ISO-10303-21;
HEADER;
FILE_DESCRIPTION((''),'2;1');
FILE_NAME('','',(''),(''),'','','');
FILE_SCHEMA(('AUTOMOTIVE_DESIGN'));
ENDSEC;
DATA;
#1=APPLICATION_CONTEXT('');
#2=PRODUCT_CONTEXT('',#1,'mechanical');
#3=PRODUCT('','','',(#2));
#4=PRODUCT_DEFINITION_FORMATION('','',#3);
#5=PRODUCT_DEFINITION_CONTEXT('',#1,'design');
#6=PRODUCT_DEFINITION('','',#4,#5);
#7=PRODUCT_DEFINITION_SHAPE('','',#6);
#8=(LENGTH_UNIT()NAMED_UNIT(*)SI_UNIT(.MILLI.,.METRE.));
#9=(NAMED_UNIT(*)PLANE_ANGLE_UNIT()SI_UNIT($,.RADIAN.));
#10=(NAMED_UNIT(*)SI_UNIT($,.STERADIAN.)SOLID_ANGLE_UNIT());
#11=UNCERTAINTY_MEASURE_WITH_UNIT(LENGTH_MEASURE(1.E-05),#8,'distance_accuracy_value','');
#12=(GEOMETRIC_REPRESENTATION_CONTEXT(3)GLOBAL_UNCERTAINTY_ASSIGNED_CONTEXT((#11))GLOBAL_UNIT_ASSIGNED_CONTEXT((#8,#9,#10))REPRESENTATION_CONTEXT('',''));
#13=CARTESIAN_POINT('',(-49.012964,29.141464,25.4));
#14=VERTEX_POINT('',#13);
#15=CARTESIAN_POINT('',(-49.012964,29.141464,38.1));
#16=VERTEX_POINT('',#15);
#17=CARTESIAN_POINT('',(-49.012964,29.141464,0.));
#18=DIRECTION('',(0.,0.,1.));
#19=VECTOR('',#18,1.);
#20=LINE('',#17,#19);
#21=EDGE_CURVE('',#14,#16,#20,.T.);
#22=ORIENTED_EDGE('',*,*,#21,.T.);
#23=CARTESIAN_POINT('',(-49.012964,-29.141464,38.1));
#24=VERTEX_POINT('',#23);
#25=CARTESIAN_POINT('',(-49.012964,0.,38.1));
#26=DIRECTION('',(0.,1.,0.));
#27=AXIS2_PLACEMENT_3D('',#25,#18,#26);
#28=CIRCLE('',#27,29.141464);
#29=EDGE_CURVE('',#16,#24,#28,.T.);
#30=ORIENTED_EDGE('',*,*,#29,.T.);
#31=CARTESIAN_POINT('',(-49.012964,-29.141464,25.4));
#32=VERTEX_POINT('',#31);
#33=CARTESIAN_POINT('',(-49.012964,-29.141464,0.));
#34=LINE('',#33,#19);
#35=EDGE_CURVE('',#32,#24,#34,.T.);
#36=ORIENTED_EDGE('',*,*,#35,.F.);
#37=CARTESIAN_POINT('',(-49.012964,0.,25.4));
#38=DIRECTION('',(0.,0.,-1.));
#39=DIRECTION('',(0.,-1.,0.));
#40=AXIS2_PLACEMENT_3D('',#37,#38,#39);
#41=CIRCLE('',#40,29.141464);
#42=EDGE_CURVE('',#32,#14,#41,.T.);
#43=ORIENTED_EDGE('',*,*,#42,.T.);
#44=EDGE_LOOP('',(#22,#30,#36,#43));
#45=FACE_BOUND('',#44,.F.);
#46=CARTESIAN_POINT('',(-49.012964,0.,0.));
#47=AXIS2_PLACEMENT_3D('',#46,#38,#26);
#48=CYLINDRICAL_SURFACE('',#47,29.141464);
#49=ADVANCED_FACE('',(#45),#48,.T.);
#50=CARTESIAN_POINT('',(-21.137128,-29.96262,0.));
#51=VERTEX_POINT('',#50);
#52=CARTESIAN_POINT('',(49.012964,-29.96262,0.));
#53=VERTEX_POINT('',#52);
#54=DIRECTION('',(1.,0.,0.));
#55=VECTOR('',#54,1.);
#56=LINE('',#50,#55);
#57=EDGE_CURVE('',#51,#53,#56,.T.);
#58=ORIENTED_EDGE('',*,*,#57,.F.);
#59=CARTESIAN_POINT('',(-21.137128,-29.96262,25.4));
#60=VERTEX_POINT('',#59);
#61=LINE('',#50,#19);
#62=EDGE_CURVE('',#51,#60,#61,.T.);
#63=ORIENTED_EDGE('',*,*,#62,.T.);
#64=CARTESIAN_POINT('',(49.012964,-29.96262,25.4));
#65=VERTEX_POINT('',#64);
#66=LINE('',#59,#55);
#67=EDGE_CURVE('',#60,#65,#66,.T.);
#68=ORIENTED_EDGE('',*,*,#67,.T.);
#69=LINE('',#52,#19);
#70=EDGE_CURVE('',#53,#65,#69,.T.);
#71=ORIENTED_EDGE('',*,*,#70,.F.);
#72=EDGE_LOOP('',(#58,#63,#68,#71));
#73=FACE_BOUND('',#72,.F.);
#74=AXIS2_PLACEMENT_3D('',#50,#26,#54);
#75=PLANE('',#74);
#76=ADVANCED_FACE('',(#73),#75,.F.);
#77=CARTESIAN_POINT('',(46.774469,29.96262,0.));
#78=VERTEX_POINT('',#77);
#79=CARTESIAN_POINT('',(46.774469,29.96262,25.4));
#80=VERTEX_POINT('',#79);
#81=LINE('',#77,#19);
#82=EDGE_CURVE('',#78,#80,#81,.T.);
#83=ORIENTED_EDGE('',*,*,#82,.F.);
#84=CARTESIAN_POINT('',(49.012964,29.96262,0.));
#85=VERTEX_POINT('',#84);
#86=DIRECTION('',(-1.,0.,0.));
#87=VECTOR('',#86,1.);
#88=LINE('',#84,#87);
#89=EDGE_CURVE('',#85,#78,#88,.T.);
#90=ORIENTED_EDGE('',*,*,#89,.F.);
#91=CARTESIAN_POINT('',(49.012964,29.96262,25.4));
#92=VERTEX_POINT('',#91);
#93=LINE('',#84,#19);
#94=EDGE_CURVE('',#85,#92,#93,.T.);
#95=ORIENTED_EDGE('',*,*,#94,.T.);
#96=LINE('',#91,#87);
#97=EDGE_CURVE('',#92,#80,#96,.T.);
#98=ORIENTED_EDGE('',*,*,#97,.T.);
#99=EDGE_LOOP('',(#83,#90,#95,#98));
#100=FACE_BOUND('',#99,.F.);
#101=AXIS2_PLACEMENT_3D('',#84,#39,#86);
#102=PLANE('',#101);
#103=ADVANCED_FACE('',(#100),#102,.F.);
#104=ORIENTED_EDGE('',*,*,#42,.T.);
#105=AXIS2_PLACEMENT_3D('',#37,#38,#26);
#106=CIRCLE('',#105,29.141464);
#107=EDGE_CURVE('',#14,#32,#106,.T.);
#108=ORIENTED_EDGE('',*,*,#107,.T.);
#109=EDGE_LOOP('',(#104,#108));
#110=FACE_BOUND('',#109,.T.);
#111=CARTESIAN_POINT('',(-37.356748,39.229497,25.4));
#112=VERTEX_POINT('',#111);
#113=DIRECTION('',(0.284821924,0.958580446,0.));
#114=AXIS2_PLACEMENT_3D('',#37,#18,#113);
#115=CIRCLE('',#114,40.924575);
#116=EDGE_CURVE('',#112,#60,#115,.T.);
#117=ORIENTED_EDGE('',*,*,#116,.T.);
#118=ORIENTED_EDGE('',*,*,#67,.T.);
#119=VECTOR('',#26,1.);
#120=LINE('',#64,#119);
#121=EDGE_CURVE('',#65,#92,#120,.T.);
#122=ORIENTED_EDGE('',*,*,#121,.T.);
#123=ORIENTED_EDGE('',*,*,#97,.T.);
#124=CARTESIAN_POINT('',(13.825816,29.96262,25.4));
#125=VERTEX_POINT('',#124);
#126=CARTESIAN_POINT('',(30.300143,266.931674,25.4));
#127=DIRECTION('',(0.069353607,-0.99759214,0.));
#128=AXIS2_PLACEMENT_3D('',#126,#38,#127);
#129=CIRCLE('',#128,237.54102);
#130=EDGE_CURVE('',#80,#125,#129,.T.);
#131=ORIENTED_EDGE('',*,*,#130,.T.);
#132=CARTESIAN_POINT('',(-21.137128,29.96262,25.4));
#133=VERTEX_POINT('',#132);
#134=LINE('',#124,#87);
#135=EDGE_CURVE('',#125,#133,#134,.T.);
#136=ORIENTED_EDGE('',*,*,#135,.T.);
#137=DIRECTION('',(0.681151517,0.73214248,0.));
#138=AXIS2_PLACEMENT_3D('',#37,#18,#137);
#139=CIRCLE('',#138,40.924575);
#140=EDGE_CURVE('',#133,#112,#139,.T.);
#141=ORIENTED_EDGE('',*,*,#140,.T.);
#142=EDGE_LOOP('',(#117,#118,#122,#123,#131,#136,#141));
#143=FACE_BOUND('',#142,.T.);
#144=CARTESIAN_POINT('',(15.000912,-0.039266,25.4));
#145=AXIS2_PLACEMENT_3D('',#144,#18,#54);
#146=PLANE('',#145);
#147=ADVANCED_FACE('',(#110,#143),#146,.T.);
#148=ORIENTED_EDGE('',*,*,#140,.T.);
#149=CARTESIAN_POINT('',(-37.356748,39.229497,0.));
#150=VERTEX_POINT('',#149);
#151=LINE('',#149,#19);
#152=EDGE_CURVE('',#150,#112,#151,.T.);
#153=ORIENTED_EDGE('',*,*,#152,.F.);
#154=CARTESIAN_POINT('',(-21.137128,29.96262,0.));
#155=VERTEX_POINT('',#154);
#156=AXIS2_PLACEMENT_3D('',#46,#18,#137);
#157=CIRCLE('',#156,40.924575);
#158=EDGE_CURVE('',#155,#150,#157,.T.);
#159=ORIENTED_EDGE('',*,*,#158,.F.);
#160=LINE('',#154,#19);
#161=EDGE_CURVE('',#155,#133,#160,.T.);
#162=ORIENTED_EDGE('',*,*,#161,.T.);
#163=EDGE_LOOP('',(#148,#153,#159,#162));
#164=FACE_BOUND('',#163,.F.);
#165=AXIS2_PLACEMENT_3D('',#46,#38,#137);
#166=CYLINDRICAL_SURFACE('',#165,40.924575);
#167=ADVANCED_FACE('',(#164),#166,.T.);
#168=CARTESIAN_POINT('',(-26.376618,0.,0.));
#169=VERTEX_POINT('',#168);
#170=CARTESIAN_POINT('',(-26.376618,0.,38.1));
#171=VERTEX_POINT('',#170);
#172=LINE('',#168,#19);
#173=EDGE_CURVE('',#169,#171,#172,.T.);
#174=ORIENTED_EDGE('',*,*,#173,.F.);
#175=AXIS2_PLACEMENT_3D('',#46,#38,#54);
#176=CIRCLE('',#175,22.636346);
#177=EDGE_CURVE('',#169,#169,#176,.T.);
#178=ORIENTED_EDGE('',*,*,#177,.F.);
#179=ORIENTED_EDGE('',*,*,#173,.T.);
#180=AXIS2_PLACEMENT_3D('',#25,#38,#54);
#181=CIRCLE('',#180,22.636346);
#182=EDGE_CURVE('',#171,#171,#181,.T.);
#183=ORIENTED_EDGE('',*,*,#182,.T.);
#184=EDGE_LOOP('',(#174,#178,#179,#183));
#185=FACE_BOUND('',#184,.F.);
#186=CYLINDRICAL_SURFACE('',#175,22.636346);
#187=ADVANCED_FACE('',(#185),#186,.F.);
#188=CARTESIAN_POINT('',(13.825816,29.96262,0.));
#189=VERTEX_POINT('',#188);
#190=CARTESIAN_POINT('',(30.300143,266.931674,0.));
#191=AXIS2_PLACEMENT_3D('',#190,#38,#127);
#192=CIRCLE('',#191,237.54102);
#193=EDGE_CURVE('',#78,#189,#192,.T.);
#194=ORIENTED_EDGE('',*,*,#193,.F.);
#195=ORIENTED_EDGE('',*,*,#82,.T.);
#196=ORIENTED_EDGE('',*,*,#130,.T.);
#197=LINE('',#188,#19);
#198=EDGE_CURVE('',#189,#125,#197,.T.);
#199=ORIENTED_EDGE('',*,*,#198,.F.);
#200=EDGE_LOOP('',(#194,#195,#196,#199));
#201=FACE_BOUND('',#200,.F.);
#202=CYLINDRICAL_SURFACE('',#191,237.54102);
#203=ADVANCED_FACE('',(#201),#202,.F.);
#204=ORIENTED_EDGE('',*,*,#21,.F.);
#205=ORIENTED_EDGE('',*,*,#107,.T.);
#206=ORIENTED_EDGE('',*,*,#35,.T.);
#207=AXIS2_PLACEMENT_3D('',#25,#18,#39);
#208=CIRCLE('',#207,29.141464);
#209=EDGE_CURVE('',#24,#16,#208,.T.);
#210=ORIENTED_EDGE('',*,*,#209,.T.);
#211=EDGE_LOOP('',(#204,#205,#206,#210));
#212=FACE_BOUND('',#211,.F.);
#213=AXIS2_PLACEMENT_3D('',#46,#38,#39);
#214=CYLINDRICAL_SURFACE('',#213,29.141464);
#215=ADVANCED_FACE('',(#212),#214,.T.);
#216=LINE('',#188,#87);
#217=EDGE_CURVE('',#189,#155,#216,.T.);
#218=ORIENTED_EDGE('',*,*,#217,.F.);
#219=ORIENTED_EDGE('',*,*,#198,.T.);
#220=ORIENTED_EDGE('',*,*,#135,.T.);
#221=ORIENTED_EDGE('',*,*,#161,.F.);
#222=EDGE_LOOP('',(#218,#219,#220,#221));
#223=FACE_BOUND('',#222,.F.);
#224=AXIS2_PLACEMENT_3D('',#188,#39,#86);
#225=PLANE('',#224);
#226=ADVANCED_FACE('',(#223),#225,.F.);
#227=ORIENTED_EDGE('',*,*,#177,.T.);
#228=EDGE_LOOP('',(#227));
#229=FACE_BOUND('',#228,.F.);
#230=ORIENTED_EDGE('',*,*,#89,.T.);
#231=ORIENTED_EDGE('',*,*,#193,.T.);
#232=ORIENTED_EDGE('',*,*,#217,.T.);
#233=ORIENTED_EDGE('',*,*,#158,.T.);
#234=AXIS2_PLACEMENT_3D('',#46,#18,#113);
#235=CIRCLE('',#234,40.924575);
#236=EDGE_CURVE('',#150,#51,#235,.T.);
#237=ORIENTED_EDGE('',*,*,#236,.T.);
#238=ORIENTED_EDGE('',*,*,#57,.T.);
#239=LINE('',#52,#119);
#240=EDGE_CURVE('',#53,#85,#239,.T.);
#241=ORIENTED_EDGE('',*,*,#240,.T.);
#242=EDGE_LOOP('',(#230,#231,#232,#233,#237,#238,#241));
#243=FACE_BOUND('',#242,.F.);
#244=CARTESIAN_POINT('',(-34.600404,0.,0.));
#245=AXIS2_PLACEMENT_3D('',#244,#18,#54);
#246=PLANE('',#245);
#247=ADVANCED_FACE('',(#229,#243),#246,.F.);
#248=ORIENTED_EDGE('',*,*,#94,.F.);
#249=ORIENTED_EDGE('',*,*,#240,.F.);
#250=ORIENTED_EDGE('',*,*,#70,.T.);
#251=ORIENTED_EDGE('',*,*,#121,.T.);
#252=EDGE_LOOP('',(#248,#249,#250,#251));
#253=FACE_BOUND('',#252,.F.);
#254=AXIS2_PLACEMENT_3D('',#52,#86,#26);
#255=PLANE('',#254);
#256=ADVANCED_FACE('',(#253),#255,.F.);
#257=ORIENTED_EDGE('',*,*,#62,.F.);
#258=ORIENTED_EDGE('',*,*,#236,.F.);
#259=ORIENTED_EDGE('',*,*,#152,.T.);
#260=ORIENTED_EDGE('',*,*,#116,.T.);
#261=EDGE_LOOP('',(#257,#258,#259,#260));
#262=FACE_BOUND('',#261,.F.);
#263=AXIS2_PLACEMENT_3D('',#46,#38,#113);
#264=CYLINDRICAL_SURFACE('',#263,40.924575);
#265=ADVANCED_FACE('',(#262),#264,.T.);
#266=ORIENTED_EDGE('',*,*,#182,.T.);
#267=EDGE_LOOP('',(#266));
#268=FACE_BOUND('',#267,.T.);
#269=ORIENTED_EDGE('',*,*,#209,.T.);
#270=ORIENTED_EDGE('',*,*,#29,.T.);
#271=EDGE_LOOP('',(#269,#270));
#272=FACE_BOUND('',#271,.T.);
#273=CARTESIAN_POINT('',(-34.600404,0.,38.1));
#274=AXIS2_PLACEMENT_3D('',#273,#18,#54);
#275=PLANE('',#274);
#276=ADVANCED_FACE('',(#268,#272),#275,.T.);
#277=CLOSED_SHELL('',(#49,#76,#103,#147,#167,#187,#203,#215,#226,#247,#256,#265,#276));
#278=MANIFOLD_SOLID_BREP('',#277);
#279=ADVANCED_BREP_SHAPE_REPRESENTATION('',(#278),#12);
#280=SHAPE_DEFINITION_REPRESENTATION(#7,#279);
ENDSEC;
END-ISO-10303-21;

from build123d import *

# Parameters (mm, degrees)
F1_DEPTH = 25.4
F2_DEPTH = 38.1


with BuildPart() as f1:
    # F0 (on Top) → F1 (new body)
    with BuildSketch(Plane.XY):
        with BuildLine():
            Line((49.0129638637, 29.9626197666), (46.774469316, 29.9626197666))
            ThreePointArc((46.774469316, 29.9626197666), (30.3001427561, 29.390654175), (13.8258161962, 29.9626197666))
            Line((13.8258161962, 29.9626197666), (-21.1371275652, 29.9626197666))
            ThreePointArc((-21.1371275652, 29.9626197666), (-11.4921190987, 16.3403500801), (-8.0883889408, 0))
            ThreePointArc((-8.0883889408, 0), (-11.4921190987, -16.3403500801), (-21.1371275652, -29.9626197666))
            Line((-21.1371275652, -29.9626197666), (49.0129638637, -29.9626197666))
            Line((49.0129638637, -29.9626197666), (49.0129638637, 29.9626197666))
        make_face()
        with BuildLine():
            Line((-49.0129638637, 29.9626197666), (-21.1371275652, 29.9626197666))
            ThreePointArc((-21.1371275652, 29.9626197666), (-28.7111277901, 35.5338751709), (-37.3567476866, 39.2294972827))
            ThreePointArc((-37.3567476866, 39.2294972827), (-88.8574497894, -9.3401163775), (-21.1371275652, -29.9626197666))
            Line((-21.1371275652, -29.9626197666), (-49.0129638637, -29.9626197666))
            Line((-49.0129638637, -29.9626197666), (-49.0129638637, -29.141463528))
            ThreePointArc((-49.0129638637, -29.141463528), (-78.1544273918, 0), (-49.0129638637, 29.141463528))
            Line((-49.0129638637, 29.141463528), (-49.0129638637, 29.9626197666))
        make_face()
        with BuildLine():
            ThreePointArc((-8.0883889408, 0), (-11.4921190987, 16.3403500801), (-21.1371275652, 29.9626197666))
            Line((-21.1371275652, 29.9626197666), (-49.0129638637, 29.9626197666))
            Line((-49.0129638637, 29.9626197666), (-49.0129638637, 29.141463528))
            ThreePointArc((-49.0129638637, 29.141463528), (-28.4068373894, 20.6061264744), (-19.8715003357, 0))
            ThreePointArc((-19.8715003357, 0), (-28.4068373894, -20.6061264744), (-49.0129638637, -29.141463528))
            Line((-49.0129638637, -29.141463528), (-49.0129638637, -29.9626197666))
            Line((-49.0129638637, -29.9626197666), (-21.1371275652, -29.9626197666))
            ThreePointArc((-21.1371275652, -29.9626197666), (-11.4921190987, -16.3403500801), (-8.0883889408, 0))
        make_face()
    extrude(amount=F1_DEPTH)

    # F0 (on Top) → F2 (join)
    with BuildSketch(Plane.XY):
        with BuildLine():
            ThreePointArc((-19.8715003357, 0), (-28.4068373894, 20.6061264744), (-49.0129638637, 29.141463528))
            Line((-49.0129638637, 29.141463528), (-49.0129638637, 22.6363457986))
            ThreePointArc((-49.0129638637, 22.6363457986), (-33.0066502483, 16.0063136155), (-26.3766180651, 0))
            ThreePointArc((-26.3766180651, 0), (-33.0066502483, -16.0063136155), (-49.0129638637, -22.6363457986))
            Line((-49.0129638637, -22.6363457986), (-49.0129638637, -29.141463528))
            ThreePointArc((-49.0129638637, -29.141463528), (-28.4068373894, -20.6061264744), (-19.8715003357, 0))
        make_face()
        with BuildLine():
            Line((-49.0129638637, 22.6363457986), (-49.0129638637, 29.141463528))
            ThreePointArc((-49.0129638637, 29.141463528), (-78.1544273918, 0), (-49.0129638637, -29.141463528))
            Line((-49.0129638637, -29.141463528), (-49.0129638637, -22.6363457986))
            ThreePointArc((-49.0129638637, -22.6363457986), (-71.6493096624, 0), (-49.0129638637, 22.6363457986))
        make_face()
    extrude(amount=F2_DEPTH)


solid = f1.part
